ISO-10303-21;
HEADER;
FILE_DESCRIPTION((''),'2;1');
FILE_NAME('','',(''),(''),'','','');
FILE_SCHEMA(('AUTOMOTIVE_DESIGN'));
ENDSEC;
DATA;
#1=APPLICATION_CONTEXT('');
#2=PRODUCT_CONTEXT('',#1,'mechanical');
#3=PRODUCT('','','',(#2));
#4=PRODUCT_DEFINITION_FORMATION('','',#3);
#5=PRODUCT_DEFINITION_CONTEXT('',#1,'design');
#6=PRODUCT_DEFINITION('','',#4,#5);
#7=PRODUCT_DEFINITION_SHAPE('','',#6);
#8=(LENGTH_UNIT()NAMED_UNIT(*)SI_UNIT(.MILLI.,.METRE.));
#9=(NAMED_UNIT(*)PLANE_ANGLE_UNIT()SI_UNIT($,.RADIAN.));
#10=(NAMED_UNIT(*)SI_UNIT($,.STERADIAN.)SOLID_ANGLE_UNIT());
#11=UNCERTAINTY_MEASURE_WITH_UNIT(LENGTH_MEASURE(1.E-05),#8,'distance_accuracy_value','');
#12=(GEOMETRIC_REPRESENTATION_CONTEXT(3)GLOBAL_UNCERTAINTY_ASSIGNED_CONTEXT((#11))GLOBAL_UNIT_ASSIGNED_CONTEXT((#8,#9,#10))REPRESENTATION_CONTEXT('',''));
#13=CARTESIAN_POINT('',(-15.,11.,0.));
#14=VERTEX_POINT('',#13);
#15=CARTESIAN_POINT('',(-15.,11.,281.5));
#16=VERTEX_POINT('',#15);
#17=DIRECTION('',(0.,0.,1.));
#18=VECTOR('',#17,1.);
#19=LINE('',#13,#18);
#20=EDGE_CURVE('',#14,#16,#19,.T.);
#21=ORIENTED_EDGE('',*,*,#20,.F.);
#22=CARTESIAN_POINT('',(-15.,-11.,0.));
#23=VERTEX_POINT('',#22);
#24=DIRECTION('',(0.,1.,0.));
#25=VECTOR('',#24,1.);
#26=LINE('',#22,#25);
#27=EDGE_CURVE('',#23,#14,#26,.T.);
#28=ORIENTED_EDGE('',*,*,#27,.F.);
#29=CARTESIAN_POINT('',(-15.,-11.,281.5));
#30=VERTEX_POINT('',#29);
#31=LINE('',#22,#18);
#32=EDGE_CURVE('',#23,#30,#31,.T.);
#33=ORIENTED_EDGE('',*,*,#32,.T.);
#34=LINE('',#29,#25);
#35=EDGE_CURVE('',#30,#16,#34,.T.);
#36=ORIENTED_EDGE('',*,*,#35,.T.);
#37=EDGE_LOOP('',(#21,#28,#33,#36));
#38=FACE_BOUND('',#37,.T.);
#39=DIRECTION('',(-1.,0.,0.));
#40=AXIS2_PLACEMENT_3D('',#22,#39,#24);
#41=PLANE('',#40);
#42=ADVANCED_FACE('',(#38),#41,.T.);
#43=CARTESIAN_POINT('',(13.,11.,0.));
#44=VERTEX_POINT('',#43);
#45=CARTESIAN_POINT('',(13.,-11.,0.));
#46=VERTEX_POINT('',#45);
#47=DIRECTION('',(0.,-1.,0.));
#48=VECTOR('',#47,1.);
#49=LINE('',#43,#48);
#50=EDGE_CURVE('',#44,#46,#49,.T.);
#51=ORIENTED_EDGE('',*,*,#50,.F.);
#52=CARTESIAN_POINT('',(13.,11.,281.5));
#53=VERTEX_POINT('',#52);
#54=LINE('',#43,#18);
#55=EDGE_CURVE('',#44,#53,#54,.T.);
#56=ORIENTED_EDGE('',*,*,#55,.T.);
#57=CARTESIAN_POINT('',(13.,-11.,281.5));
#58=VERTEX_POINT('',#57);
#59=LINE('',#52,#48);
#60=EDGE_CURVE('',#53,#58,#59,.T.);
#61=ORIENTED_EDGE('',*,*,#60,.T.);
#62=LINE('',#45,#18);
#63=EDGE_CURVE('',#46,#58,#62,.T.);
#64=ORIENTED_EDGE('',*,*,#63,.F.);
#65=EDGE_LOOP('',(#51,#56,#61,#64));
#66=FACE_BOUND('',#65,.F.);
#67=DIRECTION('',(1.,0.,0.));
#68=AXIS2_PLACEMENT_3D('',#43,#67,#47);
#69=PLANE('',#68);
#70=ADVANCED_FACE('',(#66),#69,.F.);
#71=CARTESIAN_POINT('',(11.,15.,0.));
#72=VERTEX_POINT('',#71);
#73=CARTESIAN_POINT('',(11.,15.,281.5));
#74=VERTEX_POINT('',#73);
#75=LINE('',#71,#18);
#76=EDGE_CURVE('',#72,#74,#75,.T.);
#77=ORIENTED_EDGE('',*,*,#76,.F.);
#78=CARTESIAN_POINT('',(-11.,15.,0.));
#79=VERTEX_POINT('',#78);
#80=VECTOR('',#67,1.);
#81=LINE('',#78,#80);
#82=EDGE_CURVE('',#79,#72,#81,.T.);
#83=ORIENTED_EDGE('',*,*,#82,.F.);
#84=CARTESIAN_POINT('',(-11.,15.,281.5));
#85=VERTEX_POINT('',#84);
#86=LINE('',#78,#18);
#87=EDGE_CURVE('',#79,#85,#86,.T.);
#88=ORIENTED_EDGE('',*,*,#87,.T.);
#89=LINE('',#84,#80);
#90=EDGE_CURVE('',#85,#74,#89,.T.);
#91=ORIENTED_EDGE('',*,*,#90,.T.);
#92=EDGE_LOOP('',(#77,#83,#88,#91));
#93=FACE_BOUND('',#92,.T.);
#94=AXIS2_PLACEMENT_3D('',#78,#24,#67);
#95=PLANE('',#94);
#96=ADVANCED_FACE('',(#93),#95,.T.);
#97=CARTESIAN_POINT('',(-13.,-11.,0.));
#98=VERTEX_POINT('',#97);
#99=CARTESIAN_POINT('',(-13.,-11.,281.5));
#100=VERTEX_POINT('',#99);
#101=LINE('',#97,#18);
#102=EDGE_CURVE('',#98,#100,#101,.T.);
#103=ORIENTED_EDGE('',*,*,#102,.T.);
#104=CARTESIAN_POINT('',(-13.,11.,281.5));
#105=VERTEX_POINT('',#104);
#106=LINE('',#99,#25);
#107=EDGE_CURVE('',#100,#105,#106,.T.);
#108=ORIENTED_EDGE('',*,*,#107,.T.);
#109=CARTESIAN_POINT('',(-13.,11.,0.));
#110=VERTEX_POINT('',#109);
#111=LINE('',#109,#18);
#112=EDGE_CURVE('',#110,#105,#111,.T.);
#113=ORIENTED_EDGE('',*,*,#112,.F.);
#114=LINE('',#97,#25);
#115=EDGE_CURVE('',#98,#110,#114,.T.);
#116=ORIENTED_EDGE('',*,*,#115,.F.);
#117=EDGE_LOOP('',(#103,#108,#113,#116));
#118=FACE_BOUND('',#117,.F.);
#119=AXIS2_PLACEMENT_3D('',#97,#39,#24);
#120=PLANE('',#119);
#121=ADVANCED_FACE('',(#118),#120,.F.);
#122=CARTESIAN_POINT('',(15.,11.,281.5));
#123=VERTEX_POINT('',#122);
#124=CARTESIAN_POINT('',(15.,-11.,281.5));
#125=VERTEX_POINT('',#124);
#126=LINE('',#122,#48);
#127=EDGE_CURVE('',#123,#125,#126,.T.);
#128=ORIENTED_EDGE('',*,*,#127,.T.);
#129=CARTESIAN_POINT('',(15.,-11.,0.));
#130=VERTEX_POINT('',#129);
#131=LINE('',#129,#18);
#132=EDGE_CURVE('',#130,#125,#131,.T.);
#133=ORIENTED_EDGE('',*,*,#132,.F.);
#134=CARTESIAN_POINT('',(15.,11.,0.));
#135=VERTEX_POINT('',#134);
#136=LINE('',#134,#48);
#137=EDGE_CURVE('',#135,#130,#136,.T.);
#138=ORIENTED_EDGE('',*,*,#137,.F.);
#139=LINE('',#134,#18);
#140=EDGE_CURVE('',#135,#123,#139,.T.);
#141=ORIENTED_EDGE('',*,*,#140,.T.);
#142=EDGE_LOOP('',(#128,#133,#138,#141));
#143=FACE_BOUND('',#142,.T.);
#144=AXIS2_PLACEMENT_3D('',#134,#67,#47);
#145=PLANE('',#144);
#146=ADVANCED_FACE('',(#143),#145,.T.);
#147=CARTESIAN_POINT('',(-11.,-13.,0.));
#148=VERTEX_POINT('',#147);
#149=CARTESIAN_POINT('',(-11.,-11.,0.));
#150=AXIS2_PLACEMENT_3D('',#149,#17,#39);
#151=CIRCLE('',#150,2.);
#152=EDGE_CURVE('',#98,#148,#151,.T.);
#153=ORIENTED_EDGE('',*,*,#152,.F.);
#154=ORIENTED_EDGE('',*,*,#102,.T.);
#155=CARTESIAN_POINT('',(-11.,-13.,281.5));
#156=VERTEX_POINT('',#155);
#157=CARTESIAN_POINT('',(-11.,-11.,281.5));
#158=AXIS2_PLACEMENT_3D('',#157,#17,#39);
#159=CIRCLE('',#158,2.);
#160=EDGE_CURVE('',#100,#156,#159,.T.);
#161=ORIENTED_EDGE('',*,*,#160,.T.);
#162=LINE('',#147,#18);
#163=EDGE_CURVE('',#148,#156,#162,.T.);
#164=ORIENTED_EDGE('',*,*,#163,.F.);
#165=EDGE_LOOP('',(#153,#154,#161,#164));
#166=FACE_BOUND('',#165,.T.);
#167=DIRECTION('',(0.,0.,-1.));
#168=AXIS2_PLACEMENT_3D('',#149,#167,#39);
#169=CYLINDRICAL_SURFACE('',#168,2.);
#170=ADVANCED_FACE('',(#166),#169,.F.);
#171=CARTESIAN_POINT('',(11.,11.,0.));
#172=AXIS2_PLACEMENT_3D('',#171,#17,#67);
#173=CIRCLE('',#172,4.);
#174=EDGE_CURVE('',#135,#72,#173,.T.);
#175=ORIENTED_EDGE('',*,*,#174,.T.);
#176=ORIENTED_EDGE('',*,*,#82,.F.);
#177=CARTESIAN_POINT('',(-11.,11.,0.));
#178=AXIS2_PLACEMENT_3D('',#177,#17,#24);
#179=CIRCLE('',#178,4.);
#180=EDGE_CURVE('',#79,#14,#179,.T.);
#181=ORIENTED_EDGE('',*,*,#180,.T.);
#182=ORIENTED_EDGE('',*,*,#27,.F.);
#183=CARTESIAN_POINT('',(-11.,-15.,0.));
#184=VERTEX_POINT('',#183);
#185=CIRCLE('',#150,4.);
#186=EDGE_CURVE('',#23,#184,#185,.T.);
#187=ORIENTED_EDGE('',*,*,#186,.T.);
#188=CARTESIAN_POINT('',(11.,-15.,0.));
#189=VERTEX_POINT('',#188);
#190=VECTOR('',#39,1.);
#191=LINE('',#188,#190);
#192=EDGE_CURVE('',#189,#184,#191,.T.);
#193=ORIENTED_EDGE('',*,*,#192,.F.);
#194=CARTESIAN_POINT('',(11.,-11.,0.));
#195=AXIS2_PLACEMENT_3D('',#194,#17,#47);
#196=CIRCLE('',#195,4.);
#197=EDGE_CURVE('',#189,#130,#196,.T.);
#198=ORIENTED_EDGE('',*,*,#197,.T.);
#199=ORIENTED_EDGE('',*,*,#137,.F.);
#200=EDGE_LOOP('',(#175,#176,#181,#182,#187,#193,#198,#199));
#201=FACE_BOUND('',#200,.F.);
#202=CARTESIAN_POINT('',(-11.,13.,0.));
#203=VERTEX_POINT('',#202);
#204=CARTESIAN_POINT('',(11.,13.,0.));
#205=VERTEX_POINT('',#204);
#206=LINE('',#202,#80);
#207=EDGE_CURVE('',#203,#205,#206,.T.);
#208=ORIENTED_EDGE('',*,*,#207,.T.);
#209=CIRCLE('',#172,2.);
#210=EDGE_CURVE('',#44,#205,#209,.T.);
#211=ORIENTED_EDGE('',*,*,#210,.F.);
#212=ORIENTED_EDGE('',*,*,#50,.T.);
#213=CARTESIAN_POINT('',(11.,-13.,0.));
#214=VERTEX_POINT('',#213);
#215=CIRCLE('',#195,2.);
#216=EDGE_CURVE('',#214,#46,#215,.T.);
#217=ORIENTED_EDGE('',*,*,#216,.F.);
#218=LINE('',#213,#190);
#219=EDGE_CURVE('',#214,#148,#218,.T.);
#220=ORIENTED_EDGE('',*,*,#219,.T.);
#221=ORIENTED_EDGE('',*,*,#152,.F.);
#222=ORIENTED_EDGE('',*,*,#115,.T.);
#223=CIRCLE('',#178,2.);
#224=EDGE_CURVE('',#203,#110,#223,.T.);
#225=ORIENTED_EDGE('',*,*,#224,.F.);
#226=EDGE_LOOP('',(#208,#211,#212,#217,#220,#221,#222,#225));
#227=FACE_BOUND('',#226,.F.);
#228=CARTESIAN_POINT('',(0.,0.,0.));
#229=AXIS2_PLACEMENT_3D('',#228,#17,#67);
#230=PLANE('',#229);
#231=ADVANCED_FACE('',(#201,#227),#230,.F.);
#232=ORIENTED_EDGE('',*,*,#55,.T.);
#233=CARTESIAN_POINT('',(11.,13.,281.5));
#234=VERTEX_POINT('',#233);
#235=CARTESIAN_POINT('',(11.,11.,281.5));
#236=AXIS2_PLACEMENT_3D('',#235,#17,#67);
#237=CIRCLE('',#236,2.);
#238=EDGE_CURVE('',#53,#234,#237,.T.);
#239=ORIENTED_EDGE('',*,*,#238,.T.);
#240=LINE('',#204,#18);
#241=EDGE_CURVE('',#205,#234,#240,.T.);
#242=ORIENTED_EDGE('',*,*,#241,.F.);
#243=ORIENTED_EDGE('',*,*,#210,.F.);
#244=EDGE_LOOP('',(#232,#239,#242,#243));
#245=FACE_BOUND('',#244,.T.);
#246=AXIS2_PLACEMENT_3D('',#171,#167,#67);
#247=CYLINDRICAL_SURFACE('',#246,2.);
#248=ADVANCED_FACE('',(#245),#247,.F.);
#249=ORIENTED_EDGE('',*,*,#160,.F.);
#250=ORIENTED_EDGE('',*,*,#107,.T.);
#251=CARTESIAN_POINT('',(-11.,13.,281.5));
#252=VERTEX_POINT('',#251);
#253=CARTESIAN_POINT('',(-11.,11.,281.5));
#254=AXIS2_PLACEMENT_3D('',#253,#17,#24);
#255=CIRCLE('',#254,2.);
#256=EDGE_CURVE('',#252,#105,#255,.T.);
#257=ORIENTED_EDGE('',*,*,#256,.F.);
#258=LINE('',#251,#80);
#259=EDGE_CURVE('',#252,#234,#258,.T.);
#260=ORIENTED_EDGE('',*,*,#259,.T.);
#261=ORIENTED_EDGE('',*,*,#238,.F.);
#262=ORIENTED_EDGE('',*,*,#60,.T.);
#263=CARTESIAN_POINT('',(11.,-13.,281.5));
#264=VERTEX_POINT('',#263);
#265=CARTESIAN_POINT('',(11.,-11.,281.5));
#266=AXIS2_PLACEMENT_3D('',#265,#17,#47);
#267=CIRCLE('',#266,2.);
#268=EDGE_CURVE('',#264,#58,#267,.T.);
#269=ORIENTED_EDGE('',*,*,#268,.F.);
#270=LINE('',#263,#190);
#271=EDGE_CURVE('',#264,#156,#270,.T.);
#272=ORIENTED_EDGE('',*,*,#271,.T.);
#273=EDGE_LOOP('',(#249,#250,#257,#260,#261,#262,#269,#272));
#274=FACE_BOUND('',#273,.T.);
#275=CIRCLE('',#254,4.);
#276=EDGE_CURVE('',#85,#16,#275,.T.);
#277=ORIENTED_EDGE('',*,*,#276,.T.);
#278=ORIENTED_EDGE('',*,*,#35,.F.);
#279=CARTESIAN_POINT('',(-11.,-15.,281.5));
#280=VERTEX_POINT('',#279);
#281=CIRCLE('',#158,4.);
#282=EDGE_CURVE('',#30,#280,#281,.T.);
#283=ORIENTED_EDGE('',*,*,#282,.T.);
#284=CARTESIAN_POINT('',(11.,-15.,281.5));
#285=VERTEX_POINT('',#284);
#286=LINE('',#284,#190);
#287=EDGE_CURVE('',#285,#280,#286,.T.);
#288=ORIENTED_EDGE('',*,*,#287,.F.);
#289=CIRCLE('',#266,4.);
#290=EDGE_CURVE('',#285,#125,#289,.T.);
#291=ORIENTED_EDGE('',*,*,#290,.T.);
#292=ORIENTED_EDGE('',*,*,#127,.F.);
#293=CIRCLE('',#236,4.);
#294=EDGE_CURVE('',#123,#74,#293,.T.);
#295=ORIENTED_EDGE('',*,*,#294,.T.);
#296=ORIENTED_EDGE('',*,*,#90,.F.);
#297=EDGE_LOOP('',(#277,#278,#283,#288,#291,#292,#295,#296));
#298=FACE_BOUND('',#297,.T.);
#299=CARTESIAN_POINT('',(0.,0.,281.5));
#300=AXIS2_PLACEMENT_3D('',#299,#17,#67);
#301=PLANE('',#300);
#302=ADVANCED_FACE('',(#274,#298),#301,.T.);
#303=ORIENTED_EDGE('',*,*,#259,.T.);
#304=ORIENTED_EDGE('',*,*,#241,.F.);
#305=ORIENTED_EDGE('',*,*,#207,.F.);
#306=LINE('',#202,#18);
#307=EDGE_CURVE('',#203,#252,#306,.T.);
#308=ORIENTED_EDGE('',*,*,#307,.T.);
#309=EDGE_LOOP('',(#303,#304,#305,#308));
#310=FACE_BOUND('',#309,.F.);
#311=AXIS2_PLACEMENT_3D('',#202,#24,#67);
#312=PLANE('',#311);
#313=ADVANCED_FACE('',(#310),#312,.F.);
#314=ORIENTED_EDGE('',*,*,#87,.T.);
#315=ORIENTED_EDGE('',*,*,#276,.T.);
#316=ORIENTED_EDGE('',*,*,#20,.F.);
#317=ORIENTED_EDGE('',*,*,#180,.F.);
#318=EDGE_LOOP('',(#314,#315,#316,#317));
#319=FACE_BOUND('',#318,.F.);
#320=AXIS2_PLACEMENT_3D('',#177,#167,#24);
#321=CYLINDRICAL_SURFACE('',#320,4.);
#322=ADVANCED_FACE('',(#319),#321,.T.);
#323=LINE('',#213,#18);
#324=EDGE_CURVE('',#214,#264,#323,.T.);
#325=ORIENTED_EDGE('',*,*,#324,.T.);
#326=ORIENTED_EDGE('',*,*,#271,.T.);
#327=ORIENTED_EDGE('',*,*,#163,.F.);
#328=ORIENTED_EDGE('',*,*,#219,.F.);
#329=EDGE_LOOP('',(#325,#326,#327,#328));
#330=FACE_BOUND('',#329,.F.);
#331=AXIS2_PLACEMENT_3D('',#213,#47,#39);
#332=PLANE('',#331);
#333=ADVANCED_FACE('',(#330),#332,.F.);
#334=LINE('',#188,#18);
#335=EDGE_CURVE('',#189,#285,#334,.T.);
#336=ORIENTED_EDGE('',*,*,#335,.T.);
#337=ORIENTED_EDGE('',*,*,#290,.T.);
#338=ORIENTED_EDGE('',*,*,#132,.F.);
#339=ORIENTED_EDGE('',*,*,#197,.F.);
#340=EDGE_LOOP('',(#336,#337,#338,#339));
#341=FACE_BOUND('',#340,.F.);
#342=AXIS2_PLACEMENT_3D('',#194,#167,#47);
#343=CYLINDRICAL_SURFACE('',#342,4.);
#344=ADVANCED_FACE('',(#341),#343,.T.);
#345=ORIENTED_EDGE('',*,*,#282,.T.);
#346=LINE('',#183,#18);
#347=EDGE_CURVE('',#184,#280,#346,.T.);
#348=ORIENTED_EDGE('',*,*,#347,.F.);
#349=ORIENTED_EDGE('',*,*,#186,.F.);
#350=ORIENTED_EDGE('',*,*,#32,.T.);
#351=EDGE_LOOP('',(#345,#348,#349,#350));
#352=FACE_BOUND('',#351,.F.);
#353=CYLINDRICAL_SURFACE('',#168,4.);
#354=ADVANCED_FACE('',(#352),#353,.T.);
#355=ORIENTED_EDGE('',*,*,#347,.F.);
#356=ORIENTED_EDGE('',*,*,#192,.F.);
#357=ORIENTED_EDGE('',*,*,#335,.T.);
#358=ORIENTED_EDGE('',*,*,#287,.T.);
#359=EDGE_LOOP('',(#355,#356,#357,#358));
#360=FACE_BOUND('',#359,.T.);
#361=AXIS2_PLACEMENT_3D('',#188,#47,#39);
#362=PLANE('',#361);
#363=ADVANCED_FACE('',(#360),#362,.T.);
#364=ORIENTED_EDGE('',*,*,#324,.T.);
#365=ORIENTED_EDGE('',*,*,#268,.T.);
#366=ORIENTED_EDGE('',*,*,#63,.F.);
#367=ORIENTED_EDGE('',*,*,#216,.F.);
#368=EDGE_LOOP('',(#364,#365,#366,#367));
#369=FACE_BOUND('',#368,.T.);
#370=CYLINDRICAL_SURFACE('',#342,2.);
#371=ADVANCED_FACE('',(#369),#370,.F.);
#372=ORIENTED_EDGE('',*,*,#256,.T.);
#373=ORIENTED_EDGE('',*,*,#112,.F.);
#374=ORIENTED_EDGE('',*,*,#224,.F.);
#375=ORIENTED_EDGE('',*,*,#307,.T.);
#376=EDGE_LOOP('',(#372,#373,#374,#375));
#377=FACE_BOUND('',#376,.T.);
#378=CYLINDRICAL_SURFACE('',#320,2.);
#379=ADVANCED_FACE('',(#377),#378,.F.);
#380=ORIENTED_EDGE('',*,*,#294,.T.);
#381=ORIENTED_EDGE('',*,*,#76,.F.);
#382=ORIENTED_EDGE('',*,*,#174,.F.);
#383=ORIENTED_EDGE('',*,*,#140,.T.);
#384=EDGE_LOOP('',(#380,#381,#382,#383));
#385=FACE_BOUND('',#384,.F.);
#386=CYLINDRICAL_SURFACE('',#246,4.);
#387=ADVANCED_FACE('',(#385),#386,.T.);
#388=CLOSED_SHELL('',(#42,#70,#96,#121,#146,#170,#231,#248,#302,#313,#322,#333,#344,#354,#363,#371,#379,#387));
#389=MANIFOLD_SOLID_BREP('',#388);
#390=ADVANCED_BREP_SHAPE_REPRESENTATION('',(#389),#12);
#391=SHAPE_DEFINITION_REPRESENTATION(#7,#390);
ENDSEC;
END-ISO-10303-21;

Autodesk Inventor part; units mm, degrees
ref_plane "YZ Plane" through (0, 0, 0) normal (1, 0, 0) x (0, 1, 0)
ref_plane "Plan de départ" through (0, 0, 0) normal (0, 0, 1) x (1, 0, 0)
ref_plane "Plan de fin" through (0, 0, 281.5) normal (0, 0, 1) x (1, 0, 0)
sketch "Esquisse" plane through (0, 0, 0) normal (0, 0, 1) x (1, 0, 0)
  line L0 (-15, -11) -> (-15, 11)
  line L1 (-11, 15) -> (11, 15)
  line L2 (15, 11) -> (15, -11)
  line L3 (11, -15) -> (-11, -15)
  arc A0 (-15, -11) -> (-11, -15) centre (-11, -11) ccw
  arc A1 (15, 11) -> (11, 15) centre (11, 11) ccw
  arc A2 (-11, 15) -> (-15, 11) centre (-11, 11) ccw
  arc A3 (11, -15) -> (15, -11) centre (11, -11) ccw
  arc A4 (-11, 13) -> (-13, 11) centre (-11, 11) ccw
  line L4 (-11, 13) -> (11, 13)
  arc A5 (13, 11) -> (11, 13) centre (11, 11) ccw
  line L5 (13, 11) -> (13, -11)
  arc A6 (11, -13) -> (13, -11) centre (11, -11) ccw
  line L6 (11, -13) -> (-11, -13)
  arc A7 (-13, -11) -> (-11, -13) centre (-11, -11) ccw
  line L7 (-13, -11) -> (-13, 11)
  line L8 (0, 22.1598) -> (0, -22.1598) construction
  line L9 (-22.1598, 0) -> (22.1598, 0) construction
  dimension "d7" = 4
  dimension "d9" = 30
  dimension "d11" = 30
  dimension "d12" = 2
  dimension "d15" = 15
  dimension "d16" = 15
extrude "Corps" add sketch "Esquisse" along normal up to surface (281.5 mm away) from surface at 0
sketch "Sketch3" plane through (0, 0, 0) normal (0, 0, 1) x (1, 0, 0)
  line L0 (0, 0) -> (10, 0)
ref_plane "Work Plane3" through (0, 0, 0) normal (0, -1, 0) x (1, 0, 0)
sketch "Sketch4" plane through (0, 0, 0) normal (0, -1, 0) x (1, 0, 0)
  line L0 (-2, 0) -> (12, 0) projected
  line L1 (-2, 281.5) -> (12, 281.5) projected
  dimension "d18" = 281.5
equation "\"d7\" = G_IR"
equation "\"d9\" = G_W"
equation "\"d11\" = G_H"
equation "\"d12\" = G_T"
equation "\"d15\" = 0.5 * d9"
equation "\"d16\" = 0.5 * d11"
equation "\"d3\" = G_L"
equation "\"G_W\" = 30"
equation "\"G_H\" = 30"
equation "\"G_T\" = 2"
equation "\"G_IR\" = 4"
equation "\"G_L\" = d18"
equation "\"G_OFFSET_START\" = 0"
equation "\"G_OFFSET_END\" = 0"
equation "\"d14\" = G_OFFSET_END + B_L"
equation "\"B_L\" = 281.5"
properties part number "ISO 10799-2 - 30x30x2 - 281,5" material "Acier, doux"
